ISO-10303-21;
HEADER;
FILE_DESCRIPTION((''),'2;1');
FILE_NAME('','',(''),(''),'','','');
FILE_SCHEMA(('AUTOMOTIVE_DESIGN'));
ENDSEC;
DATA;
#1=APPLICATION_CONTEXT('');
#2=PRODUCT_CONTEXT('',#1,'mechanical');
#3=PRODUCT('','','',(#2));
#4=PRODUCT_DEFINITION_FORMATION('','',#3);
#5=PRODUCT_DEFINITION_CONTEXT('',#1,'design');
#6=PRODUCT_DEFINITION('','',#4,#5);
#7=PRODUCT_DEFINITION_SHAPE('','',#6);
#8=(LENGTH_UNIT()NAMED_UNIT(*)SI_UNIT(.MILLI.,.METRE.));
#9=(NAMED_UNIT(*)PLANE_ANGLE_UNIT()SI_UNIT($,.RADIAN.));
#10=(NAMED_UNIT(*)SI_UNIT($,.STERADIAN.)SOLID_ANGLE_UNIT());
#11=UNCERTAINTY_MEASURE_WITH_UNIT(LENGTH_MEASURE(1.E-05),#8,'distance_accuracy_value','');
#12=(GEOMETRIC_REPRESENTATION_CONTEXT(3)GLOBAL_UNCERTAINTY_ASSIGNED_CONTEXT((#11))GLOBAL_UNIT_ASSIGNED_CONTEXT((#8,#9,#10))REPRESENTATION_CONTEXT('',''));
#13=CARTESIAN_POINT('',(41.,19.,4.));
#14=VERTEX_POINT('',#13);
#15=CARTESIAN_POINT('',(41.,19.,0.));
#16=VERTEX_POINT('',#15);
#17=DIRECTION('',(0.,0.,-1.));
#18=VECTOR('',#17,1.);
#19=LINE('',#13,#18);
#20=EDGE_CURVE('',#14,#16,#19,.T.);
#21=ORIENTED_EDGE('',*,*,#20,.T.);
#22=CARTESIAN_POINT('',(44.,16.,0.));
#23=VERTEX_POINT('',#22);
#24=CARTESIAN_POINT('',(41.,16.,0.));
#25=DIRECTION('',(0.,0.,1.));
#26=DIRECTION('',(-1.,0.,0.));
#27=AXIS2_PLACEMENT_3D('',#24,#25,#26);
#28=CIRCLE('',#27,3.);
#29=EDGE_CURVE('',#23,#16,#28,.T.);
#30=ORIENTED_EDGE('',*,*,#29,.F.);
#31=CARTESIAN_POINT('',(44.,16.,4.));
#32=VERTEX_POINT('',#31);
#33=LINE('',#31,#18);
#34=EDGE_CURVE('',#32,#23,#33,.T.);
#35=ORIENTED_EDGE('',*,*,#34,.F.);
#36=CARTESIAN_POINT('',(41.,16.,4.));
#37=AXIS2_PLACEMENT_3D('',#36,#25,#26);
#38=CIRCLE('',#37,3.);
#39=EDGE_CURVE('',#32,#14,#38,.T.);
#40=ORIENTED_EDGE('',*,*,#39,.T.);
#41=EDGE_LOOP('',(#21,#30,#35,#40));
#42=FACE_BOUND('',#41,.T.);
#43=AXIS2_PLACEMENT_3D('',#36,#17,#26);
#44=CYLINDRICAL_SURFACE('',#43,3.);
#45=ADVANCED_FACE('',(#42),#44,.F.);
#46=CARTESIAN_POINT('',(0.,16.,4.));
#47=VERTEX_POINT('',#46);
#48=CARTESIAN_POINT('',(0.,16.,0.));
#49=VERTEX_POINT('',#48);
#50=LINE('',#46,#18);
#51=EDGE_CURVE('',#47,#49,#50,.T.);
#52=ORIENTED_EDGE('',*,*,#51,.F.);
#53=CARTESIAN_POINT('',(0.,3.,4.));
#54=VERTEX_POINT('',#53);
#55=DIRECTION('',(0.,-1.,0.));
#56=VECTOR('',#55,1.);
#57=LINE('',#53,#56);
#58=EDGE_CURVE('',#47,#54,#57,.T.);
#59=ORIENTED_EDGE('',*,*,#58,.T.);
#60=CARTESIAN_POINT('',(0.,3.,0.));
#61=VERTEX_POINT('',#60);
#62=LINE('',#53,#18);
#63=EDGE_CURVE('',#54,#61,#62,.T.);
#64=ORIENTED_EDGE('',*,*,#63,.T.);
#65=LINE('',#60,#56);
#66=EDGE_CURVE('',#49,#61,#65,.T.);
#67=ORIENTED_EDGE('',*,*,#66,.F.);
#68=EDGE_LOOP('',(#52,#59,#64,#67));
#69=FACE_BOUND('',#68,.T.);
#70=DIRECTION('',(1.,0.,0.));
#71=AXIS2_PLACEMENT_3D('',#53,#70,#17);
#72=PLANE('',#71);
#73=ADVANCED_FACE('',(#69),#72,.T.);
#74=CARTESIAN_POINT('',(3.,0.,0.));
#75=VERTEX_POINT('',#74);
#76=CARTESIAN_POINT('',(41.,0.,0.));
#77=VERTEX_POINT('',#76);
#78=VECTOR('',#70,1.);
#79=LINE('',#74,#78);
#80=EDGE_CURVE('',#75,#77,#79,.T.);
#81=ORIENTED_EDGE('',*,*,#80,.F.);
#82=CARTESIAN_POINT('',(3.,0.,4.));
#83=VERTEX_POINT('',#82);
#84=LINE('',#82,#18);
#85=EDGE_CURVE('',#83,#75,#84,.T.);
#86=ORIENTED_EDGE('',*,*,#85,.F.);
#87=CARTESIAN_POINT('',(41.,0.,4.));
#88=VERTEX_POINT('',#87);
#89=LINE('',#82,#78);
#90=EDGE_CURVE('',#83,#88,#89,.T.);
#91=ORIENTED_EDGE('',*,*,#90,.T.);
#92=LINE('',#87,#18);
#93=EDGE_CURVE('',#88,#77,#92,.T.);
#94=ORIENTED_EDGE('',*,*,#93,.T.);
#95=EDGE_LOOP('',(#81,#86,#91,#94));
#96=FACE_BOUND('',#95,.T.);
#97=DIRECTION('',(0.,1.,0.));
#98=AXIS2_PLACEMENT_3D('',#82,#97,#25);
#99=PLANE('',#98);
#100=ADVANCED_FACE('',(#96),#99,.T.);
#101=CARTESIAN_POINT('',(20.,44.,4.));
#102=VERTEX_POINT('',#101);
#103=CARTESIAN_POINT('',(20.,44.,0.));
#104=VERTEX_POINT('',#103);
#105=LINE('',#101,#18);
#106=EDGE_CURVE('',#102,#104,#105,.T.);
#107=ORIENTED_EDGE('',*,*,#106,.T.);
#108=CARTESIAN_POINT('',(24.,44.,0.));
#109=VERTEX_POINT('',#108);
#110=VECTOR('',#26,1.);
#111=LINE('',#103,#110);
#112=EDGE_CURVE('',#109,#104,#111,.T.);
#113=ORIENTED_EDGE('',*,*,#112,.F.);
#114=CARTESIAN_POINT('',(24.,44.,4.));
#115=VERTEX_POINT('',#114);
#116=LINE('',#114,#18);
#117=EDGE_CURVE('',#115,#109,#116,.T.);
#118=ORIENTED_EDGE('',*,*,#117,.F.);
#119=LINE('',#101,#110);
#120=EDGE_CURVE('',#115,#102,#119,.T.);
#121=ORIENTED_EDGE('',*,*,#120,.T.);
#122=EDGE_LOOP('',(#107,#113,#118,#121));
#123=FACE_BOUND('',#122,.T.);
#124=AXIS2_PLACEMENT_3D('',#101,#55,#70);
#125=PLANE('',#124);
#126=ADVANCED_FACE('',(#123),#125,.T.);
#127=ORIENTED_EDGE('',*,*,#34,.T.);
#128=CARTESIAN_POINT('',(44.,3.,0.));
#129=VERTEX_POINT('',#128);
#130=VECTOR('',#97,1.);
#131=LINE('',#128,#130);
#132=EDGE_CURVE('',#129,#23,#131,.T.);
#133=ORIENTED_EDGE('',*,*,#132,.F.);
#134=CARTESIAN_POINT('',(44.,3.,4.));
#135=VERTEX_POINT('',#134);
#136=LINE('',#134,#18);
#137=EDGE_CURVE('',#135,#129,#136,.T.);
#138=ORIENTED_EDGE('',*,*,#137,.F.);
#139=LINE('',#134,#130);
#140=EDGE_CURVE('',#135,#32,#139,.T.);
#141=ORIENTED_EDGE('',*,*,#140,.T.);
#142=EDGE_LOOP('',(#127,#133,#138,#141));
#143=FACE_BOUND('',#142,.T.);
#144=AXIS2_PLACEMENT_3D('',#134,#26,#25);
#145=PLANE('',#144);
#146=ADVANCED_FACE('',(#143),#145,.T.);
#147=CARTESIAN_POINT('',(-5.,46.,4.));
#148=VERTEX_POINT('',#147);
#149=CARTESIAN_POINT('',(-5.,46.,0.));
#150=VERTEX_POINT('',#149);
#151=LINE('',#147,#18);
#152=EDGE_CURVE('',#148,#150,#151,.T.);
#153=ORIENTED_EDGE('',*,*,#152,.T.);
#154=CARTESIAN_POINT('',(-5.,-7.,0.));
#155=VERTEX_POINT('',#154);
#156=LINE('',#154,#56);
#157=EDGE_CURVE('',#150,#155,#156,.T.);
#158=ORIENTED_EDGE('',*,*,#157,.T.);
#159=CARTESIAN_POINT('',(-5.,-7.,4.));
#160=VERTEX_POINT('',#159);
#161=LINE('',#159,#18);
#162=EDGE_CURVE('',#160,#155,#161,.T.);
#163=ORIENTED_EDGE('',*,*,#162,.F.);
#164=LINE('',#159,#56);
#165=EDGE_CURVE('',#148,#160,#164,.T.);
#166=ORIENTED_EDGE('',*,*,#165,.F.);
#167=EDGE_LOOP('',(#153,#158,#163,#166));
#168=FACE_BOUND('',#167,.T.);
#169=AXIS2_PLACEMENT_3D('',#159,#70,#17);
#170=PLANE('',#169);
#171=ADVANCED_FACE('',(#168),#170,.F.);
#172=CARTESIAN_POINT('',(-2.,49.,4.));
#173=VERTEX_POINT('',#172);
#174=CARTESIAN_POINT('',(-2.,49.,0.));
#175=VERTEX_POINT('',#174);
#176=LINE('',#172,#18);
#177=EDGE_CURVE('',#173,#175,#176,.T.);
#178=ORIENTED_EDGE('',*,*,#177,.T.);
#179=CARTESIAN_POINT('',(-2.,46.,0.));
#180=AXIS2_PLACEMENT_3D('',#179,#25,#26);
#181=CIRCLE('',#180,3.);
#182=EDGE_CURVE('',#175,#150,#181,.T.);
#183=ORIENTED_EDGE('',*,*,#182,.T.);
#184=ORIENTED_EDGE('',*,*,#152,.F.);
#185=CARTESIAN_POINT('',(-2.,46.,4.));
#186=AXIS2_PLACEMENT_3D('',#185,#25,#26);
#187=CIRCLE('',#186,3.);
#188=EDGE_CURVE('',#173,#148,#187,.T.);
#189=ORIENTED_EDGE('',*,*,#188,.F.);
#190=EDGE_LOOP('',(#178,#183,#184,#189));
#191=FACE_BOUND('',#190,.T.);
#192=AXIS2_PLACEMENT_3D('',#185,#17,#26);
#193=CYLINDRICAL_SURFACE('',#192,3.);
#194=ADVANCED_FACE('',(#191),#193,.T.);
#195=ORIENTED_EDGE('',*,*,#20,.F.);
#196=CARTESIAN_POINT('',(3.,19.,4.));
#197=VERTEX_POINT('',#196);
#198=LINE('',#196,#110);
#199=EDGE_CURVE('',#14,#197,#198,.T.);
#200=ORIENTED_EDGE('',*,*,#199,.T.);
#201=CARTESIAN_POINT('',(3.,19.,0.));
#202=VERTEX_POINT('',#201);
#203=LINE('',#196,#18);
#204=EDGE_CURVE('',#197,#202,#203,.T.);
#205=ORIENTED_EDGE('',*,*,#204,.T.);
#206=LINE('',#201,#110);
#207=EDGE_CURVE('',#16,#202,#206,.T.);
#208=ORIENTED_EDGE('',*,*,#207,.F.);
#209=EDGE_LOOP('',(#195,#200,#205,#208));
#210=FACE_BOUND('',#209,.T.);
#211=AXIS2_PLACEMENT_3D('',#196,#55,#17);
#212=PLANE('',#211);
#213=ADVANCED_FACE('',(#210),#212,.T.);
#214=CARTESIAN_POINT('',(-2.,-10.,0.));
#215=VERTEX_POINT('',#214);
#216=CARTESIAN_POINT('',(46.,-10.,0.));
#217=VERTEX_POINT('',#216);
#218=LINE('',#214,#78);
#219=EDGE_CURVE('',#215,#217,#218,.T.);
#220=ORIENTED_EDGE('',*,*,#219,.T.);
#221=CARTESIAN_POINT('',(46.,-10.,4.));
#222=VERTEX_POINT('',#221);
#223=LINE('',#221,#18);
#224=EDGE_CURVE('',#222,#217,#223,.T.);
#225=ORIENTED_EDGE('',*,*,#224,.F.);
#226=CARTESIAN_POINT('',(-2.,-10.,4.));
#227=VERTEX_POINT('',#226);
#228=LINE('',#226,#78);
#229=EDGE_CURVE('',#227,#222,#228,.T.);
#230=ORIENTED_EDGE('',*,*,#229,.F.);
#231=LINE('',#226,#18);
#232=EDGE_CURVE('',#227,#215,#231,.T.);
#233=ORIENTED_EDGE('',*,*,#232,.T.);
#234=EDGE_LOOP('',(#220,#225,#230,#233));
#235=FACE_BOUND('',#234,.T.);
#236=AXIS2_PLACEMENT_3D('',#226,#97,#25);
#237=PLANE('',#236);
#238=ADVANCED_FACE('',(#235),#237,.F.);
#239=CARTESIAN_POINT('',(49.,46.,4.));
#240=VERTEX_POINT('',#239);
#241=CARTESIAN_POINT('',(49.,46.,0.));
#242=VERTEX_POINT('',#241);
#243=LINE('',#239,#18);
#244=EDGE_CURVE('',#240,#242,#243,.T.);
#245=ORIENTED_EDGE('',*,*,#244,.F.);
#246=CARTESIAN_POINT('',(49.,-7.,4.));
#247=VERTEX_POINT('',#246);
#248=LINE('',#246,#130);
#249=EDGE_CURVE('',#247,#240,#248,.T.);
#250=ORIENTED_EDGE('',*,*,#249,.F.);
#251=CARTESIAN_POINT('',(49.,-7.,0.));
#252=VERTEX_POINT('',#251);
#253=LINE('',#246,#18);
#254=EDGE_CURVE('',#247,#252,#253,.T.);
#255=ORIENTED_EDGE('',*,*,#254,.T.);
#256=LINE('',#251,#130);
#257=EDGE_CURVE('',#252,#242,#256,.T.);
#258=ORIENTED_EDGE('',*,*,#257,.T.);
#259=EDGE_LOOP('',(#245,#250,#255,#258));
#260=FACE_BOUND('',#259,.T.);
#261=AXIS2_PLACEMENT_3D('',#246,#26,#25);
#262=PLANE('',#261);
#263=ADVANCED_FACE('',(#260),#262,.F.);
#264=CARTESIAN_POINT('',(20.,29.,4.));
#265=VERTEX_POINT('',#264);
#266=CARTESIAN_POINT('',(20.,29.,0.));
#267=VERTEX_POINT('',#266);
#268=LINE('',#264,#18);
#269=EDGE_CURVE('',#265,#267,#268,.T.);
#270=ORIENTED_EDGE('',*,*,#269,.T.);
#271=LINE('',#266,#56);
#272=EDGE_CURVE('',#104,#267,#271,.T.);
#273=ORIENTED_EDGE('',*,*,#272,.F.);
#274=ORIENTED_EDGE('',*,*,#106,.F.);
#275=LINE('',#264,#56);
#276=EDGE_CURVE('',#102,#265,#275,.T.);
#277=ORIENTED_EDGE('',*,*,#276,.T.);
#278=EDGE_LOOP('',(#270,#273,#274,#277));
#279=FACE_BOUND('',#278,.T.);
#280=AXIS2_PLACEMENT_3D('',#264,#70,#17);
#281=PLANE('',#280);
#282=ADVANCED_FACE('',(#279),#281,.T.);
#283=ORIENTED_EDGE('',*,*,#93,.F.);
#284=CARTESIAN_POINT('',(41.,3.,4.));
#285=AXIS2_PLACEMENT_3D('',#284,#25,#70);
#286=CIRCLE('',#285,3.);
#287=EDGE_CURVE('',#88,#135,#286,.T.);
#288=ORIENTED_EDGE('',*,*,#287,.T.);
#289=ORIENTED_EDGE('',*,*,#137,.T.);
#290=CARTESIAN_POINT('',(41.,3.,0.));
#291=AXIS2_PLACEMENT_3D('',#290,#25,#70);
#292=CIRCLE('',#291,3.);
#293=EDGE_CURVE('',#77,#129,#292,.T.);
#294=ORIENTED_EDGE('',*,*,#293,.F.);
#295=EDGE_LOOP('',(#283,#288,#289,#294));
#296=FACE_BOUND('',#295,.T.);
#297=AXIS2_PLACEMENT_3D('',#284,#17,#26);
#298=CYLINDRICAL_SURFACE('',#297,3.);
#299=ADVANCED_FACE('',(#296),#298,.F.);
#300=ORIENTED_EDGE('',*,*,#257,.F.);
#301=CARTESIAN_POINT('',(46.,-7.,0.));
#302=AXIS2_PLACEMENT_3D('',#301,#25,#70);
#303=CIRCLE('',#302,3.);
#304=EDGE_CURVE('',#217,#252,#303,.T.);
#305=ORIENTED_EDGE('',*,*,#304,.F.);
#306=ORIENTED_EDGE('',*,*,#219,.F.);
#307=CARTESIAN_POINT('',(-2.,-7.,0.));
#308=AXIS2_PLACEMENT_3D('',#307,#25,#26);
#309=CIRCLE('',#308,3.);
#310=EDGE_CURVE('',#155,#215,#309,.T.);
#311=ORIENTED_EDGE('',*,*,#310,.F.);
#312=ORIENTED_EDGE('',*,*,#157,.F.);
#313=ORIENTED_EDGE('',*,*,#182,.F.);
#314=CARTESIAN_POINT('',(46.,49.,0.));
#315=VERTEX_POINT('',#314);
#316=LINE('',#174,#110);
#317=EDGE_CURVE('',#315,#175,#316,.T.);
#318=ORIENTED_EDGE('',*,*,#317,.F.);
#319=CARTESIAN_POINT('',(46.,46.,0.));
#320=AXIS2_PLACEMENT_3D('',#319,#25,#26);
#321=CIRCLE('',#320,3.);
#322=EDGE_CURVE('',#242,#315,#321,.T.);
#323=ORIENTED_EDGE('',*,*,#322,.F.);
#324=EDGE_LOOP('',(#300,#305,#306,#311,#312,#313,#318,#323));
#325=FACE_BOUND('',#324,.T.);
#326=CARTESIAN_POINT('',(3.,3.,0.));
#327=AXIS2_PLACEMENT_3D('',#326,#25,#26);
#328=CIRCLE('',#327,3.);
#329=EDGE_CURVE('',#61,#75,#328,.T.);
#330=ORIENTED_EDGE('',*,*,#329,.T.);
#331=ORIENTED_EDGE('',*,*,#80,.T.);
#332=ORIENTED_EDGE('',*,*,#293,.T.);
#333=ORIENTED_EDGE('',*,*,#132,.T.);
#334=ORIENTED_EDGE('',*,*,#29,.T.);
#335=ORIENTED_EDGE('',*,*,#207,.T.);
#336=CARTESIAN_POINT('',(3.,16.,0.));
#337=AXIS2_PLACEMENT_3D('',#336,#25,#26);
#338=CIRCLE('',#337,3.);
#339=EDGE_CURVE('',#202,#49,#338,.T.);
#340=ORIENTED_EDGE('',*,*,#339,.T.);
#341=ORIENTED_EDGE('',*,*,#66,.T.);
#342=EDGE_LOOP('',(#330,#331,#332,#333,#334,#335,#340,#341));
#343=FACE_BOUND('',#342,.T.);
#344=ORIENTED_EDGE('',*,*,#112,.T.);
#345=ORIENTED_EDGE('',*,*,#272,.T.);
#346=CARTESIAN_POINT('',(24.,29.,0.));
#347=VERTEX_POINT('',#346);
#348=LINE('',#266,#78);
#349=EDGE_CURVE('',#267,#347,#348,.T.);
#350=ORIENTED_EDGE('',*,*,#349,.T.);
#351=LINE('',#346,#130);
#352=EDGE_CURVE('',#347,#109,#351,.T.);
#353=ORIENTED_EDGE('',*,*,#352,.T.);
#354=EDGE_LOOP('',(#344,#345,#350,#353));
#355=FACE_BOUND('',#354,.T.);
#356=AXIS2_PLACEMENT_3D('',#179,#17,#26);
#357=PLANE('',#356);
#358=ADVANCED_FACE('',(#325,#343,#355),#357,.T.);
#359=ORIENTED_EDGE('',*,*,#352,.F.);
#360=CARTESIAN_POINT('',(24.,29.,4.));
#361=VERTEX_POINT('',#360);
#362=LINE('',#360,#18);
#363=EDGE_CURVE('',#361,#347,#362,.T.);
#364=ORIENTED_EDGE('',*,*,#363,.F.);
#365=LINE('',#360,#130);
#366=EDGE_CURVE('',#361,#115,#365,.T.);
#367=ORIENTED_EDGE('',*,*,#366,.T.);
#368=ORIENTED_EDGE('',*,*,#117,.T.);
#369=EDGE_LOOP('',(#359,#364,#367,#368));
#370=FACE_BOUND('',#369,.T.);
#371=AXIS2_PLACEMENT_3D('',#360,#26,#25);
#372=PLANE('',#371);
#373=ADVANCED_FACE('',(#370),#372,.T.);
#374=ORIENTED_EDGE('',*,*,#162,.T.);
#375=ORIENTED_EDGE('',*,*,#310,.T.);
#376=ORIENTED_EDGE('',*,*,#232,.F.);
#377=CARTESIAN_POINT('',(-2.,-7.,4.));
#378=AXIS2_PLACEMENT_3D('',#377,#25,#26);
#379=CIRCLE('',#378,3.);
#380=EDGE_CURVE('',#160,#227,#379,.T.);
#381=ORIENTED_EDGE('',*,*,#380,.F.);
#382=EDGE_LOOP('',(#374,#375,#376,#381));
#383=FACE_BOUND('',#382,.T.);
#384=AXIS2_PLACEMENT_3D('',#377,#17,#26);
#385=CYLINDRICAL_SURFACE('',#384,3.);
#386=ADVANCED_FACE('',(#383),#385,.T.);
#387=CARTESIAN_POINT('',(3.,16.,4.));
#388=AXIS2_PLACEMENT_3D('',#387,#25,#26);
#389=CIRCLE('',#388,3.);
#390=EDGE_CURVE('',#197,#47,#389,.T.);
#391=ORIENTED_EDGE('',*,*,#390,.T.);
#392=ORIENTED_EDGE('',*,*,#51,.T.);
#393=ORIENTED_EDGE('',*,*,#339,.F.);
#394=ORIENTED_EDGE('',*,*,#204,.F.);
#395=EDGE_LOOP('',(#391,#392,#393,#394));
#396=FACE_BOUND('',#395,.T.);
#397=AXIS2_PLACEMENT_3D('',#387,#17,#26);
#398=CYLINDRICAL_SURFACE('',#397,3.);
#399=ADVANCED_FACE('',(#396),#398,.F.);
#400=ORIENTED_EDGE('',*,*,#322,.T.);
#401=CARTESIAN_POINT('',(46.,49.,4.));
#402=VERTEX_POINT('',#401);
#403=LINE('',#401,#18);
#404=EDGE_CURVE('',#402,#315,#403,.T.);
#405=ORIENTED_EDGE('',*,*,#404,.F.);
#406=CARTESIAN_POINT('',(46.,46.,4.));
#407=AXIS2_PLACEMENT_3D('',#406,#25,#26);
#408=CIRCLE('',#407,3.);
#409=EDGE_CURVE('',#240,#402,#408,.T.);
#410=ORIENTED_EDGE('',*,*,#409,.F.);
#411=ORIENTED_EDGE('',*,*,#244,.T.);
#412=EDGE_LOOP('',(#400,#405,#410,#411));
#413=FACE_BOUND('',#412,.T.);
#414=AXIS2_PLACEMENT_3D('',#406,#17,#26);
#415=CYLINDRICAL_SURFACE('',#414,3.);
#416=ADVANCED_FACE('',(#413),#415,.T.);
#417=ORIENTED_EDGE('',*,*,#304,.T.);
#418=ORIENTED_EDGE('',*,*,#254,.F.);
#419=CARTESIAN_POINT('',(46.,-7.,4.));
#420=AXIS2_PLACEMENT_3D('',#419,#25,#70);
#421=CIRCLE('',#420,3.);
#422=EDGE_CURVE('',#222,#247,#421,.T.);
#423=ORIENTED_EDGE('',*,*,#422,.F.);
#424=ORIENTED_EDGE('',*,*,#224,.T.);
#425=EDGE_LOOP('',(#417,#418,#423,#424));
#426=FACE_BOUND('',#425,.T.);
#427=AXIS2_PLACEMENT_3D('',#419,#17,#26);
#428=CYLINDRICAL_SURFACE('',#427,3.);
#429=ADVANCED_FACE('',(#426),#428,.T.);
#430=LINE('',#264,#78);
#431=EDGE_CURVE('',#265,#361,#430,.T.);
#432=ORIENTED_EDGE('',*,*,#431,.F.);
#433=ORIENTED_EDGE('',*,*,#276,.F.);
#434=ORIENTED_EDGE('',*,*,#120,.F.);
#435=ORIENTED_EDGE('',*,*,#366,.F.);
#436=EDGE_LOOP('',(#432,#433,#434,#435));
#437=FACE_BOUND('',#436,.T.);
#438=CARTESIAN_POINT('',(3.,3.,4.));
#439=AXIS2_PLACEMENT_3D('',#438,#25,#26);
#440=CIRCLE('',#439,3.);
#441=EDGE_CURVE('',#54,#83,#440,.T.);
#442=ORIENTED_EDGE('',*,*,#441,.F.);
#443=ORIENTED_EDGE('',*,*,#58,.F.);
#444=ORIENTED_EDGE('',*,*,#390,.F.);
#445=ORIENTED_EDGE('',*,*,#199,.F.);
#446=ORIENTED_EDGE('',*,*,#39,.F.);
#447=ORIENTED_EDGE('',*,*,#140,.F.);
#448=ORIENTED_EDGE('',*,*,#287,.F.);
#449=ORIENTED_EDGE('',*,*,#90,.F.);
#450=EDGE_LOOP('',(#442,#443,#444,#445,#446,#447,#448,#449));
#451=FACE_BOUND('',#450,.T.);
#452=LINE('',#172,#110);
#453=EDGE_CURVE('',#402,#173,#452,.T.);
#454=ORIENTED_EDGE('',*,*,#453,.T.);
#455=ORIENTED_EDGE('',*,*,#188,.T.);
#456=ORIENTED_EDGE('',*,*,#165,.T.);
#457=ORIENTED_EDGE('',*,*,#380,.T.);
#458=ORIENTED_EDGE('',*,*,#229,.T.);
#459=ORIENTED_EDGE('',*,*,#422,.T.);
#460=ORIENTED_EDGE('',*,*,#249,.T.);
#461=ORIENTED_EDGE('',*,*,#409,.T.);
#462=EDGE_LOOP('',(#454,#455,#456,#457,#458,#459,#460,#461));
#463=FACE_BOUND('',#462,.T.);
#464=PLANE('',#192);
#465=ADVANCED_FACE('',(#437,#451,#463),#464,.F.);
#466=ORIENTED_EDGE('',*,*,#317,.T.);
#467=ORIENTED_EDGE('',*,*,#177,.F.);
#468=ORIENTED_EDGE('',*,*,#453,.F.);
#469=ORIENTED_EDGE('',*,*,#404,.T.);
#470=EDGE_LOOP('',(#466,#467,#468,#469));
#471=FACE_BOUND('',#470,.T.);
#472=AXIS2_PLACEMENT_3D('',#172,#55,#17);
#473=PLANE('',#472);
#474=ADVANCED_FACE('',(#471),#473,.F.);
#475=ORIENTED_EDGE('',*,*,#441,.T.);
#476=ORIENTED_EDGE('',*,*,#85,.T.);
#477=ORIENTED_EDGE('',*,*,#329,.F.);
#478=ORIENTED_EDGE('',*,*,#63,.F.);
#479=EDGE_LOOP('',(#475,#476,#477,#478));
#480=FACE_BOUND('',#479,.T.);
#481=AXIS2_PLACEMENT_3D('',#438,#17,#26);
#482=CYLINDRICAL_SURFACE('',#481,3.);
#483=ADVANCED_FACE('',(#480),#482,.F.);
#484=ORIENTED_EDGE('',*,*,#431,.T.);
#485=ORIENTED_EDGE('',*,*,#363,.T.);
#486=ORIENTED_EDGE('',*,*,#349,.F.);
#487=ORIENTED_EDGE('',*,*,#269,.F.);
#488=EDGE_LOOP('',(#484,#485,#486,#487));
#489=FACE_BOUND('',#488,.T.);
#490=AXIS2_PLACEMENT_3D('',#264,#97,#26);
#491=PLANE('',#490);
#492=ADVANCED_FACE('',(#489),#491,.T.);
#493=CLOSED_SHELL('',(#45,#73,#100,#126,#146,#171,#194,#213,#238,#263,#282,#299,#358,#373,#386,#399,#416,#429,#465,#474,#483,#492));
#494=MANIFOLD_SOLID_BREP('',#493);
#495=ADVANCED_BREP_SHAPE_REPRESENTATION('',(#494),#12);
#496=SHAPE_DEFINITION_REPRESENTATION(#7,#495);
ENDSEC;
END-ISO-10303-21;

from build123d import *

# Parameters (mm, degrees)
SKETCH1_W           = 4
SKETCH1_H           = 15
BOSS_EXTRUDE1_DEPTH = 4


with BuildPart() as part:
    # Sketch1 → Boss-Extrude1 (new body)
    with BuildSketch(Plane.XY):
        with BuildLine():
            Line((-2, -10), (46, -10))
            ThreePointArc((46, -10), (48.121320344, -9.121320344), (49, -7))
            Line((49, -7), (49, 46))
            ThreePointArc((49, 46), (48.121320344, 48.121320344), (46, 49))
            Line((46, 49), (-2, 49))
            ThreePointArc((-2, 49), (-4.121320344, 48.121320344), (-5, 46))
            Line((-5, 46), (-5, -7))
            ThreePointArc((-5, -7), (-4.121320344, -9.121320344), (-2, -10))
        make_face()
        with BuildLine():
            Line((3, 0), (41, 0))
            ThreePointArc((41, 0), (43.121320344, 0.878679656), (44, 3))
            Line((44, 3), (44, 16))
            ThreePointArc((44, 16), (43.121320344, 18.121320344), (41, 19))
            Line((41, 19), (3, 19))
            ThreePointArc((3, 19), (0.878679656, 18.121320344), (0, 16))
            Line((0, 16), (0, 3))
            ThreePointArc((0, 3), (0.878679656, 0.878679656), (3, 0))
        make_face(mode=Mode.SUBTRACT)
        with Locations((22, 36.5)):
            Rectangle(SKETCH1_W, SKETCH1_H, mode=Mode.SUBTRACT)
    extrude(amount=BOSS_EXTRUDE1_DEPTH)


solid = part.part
